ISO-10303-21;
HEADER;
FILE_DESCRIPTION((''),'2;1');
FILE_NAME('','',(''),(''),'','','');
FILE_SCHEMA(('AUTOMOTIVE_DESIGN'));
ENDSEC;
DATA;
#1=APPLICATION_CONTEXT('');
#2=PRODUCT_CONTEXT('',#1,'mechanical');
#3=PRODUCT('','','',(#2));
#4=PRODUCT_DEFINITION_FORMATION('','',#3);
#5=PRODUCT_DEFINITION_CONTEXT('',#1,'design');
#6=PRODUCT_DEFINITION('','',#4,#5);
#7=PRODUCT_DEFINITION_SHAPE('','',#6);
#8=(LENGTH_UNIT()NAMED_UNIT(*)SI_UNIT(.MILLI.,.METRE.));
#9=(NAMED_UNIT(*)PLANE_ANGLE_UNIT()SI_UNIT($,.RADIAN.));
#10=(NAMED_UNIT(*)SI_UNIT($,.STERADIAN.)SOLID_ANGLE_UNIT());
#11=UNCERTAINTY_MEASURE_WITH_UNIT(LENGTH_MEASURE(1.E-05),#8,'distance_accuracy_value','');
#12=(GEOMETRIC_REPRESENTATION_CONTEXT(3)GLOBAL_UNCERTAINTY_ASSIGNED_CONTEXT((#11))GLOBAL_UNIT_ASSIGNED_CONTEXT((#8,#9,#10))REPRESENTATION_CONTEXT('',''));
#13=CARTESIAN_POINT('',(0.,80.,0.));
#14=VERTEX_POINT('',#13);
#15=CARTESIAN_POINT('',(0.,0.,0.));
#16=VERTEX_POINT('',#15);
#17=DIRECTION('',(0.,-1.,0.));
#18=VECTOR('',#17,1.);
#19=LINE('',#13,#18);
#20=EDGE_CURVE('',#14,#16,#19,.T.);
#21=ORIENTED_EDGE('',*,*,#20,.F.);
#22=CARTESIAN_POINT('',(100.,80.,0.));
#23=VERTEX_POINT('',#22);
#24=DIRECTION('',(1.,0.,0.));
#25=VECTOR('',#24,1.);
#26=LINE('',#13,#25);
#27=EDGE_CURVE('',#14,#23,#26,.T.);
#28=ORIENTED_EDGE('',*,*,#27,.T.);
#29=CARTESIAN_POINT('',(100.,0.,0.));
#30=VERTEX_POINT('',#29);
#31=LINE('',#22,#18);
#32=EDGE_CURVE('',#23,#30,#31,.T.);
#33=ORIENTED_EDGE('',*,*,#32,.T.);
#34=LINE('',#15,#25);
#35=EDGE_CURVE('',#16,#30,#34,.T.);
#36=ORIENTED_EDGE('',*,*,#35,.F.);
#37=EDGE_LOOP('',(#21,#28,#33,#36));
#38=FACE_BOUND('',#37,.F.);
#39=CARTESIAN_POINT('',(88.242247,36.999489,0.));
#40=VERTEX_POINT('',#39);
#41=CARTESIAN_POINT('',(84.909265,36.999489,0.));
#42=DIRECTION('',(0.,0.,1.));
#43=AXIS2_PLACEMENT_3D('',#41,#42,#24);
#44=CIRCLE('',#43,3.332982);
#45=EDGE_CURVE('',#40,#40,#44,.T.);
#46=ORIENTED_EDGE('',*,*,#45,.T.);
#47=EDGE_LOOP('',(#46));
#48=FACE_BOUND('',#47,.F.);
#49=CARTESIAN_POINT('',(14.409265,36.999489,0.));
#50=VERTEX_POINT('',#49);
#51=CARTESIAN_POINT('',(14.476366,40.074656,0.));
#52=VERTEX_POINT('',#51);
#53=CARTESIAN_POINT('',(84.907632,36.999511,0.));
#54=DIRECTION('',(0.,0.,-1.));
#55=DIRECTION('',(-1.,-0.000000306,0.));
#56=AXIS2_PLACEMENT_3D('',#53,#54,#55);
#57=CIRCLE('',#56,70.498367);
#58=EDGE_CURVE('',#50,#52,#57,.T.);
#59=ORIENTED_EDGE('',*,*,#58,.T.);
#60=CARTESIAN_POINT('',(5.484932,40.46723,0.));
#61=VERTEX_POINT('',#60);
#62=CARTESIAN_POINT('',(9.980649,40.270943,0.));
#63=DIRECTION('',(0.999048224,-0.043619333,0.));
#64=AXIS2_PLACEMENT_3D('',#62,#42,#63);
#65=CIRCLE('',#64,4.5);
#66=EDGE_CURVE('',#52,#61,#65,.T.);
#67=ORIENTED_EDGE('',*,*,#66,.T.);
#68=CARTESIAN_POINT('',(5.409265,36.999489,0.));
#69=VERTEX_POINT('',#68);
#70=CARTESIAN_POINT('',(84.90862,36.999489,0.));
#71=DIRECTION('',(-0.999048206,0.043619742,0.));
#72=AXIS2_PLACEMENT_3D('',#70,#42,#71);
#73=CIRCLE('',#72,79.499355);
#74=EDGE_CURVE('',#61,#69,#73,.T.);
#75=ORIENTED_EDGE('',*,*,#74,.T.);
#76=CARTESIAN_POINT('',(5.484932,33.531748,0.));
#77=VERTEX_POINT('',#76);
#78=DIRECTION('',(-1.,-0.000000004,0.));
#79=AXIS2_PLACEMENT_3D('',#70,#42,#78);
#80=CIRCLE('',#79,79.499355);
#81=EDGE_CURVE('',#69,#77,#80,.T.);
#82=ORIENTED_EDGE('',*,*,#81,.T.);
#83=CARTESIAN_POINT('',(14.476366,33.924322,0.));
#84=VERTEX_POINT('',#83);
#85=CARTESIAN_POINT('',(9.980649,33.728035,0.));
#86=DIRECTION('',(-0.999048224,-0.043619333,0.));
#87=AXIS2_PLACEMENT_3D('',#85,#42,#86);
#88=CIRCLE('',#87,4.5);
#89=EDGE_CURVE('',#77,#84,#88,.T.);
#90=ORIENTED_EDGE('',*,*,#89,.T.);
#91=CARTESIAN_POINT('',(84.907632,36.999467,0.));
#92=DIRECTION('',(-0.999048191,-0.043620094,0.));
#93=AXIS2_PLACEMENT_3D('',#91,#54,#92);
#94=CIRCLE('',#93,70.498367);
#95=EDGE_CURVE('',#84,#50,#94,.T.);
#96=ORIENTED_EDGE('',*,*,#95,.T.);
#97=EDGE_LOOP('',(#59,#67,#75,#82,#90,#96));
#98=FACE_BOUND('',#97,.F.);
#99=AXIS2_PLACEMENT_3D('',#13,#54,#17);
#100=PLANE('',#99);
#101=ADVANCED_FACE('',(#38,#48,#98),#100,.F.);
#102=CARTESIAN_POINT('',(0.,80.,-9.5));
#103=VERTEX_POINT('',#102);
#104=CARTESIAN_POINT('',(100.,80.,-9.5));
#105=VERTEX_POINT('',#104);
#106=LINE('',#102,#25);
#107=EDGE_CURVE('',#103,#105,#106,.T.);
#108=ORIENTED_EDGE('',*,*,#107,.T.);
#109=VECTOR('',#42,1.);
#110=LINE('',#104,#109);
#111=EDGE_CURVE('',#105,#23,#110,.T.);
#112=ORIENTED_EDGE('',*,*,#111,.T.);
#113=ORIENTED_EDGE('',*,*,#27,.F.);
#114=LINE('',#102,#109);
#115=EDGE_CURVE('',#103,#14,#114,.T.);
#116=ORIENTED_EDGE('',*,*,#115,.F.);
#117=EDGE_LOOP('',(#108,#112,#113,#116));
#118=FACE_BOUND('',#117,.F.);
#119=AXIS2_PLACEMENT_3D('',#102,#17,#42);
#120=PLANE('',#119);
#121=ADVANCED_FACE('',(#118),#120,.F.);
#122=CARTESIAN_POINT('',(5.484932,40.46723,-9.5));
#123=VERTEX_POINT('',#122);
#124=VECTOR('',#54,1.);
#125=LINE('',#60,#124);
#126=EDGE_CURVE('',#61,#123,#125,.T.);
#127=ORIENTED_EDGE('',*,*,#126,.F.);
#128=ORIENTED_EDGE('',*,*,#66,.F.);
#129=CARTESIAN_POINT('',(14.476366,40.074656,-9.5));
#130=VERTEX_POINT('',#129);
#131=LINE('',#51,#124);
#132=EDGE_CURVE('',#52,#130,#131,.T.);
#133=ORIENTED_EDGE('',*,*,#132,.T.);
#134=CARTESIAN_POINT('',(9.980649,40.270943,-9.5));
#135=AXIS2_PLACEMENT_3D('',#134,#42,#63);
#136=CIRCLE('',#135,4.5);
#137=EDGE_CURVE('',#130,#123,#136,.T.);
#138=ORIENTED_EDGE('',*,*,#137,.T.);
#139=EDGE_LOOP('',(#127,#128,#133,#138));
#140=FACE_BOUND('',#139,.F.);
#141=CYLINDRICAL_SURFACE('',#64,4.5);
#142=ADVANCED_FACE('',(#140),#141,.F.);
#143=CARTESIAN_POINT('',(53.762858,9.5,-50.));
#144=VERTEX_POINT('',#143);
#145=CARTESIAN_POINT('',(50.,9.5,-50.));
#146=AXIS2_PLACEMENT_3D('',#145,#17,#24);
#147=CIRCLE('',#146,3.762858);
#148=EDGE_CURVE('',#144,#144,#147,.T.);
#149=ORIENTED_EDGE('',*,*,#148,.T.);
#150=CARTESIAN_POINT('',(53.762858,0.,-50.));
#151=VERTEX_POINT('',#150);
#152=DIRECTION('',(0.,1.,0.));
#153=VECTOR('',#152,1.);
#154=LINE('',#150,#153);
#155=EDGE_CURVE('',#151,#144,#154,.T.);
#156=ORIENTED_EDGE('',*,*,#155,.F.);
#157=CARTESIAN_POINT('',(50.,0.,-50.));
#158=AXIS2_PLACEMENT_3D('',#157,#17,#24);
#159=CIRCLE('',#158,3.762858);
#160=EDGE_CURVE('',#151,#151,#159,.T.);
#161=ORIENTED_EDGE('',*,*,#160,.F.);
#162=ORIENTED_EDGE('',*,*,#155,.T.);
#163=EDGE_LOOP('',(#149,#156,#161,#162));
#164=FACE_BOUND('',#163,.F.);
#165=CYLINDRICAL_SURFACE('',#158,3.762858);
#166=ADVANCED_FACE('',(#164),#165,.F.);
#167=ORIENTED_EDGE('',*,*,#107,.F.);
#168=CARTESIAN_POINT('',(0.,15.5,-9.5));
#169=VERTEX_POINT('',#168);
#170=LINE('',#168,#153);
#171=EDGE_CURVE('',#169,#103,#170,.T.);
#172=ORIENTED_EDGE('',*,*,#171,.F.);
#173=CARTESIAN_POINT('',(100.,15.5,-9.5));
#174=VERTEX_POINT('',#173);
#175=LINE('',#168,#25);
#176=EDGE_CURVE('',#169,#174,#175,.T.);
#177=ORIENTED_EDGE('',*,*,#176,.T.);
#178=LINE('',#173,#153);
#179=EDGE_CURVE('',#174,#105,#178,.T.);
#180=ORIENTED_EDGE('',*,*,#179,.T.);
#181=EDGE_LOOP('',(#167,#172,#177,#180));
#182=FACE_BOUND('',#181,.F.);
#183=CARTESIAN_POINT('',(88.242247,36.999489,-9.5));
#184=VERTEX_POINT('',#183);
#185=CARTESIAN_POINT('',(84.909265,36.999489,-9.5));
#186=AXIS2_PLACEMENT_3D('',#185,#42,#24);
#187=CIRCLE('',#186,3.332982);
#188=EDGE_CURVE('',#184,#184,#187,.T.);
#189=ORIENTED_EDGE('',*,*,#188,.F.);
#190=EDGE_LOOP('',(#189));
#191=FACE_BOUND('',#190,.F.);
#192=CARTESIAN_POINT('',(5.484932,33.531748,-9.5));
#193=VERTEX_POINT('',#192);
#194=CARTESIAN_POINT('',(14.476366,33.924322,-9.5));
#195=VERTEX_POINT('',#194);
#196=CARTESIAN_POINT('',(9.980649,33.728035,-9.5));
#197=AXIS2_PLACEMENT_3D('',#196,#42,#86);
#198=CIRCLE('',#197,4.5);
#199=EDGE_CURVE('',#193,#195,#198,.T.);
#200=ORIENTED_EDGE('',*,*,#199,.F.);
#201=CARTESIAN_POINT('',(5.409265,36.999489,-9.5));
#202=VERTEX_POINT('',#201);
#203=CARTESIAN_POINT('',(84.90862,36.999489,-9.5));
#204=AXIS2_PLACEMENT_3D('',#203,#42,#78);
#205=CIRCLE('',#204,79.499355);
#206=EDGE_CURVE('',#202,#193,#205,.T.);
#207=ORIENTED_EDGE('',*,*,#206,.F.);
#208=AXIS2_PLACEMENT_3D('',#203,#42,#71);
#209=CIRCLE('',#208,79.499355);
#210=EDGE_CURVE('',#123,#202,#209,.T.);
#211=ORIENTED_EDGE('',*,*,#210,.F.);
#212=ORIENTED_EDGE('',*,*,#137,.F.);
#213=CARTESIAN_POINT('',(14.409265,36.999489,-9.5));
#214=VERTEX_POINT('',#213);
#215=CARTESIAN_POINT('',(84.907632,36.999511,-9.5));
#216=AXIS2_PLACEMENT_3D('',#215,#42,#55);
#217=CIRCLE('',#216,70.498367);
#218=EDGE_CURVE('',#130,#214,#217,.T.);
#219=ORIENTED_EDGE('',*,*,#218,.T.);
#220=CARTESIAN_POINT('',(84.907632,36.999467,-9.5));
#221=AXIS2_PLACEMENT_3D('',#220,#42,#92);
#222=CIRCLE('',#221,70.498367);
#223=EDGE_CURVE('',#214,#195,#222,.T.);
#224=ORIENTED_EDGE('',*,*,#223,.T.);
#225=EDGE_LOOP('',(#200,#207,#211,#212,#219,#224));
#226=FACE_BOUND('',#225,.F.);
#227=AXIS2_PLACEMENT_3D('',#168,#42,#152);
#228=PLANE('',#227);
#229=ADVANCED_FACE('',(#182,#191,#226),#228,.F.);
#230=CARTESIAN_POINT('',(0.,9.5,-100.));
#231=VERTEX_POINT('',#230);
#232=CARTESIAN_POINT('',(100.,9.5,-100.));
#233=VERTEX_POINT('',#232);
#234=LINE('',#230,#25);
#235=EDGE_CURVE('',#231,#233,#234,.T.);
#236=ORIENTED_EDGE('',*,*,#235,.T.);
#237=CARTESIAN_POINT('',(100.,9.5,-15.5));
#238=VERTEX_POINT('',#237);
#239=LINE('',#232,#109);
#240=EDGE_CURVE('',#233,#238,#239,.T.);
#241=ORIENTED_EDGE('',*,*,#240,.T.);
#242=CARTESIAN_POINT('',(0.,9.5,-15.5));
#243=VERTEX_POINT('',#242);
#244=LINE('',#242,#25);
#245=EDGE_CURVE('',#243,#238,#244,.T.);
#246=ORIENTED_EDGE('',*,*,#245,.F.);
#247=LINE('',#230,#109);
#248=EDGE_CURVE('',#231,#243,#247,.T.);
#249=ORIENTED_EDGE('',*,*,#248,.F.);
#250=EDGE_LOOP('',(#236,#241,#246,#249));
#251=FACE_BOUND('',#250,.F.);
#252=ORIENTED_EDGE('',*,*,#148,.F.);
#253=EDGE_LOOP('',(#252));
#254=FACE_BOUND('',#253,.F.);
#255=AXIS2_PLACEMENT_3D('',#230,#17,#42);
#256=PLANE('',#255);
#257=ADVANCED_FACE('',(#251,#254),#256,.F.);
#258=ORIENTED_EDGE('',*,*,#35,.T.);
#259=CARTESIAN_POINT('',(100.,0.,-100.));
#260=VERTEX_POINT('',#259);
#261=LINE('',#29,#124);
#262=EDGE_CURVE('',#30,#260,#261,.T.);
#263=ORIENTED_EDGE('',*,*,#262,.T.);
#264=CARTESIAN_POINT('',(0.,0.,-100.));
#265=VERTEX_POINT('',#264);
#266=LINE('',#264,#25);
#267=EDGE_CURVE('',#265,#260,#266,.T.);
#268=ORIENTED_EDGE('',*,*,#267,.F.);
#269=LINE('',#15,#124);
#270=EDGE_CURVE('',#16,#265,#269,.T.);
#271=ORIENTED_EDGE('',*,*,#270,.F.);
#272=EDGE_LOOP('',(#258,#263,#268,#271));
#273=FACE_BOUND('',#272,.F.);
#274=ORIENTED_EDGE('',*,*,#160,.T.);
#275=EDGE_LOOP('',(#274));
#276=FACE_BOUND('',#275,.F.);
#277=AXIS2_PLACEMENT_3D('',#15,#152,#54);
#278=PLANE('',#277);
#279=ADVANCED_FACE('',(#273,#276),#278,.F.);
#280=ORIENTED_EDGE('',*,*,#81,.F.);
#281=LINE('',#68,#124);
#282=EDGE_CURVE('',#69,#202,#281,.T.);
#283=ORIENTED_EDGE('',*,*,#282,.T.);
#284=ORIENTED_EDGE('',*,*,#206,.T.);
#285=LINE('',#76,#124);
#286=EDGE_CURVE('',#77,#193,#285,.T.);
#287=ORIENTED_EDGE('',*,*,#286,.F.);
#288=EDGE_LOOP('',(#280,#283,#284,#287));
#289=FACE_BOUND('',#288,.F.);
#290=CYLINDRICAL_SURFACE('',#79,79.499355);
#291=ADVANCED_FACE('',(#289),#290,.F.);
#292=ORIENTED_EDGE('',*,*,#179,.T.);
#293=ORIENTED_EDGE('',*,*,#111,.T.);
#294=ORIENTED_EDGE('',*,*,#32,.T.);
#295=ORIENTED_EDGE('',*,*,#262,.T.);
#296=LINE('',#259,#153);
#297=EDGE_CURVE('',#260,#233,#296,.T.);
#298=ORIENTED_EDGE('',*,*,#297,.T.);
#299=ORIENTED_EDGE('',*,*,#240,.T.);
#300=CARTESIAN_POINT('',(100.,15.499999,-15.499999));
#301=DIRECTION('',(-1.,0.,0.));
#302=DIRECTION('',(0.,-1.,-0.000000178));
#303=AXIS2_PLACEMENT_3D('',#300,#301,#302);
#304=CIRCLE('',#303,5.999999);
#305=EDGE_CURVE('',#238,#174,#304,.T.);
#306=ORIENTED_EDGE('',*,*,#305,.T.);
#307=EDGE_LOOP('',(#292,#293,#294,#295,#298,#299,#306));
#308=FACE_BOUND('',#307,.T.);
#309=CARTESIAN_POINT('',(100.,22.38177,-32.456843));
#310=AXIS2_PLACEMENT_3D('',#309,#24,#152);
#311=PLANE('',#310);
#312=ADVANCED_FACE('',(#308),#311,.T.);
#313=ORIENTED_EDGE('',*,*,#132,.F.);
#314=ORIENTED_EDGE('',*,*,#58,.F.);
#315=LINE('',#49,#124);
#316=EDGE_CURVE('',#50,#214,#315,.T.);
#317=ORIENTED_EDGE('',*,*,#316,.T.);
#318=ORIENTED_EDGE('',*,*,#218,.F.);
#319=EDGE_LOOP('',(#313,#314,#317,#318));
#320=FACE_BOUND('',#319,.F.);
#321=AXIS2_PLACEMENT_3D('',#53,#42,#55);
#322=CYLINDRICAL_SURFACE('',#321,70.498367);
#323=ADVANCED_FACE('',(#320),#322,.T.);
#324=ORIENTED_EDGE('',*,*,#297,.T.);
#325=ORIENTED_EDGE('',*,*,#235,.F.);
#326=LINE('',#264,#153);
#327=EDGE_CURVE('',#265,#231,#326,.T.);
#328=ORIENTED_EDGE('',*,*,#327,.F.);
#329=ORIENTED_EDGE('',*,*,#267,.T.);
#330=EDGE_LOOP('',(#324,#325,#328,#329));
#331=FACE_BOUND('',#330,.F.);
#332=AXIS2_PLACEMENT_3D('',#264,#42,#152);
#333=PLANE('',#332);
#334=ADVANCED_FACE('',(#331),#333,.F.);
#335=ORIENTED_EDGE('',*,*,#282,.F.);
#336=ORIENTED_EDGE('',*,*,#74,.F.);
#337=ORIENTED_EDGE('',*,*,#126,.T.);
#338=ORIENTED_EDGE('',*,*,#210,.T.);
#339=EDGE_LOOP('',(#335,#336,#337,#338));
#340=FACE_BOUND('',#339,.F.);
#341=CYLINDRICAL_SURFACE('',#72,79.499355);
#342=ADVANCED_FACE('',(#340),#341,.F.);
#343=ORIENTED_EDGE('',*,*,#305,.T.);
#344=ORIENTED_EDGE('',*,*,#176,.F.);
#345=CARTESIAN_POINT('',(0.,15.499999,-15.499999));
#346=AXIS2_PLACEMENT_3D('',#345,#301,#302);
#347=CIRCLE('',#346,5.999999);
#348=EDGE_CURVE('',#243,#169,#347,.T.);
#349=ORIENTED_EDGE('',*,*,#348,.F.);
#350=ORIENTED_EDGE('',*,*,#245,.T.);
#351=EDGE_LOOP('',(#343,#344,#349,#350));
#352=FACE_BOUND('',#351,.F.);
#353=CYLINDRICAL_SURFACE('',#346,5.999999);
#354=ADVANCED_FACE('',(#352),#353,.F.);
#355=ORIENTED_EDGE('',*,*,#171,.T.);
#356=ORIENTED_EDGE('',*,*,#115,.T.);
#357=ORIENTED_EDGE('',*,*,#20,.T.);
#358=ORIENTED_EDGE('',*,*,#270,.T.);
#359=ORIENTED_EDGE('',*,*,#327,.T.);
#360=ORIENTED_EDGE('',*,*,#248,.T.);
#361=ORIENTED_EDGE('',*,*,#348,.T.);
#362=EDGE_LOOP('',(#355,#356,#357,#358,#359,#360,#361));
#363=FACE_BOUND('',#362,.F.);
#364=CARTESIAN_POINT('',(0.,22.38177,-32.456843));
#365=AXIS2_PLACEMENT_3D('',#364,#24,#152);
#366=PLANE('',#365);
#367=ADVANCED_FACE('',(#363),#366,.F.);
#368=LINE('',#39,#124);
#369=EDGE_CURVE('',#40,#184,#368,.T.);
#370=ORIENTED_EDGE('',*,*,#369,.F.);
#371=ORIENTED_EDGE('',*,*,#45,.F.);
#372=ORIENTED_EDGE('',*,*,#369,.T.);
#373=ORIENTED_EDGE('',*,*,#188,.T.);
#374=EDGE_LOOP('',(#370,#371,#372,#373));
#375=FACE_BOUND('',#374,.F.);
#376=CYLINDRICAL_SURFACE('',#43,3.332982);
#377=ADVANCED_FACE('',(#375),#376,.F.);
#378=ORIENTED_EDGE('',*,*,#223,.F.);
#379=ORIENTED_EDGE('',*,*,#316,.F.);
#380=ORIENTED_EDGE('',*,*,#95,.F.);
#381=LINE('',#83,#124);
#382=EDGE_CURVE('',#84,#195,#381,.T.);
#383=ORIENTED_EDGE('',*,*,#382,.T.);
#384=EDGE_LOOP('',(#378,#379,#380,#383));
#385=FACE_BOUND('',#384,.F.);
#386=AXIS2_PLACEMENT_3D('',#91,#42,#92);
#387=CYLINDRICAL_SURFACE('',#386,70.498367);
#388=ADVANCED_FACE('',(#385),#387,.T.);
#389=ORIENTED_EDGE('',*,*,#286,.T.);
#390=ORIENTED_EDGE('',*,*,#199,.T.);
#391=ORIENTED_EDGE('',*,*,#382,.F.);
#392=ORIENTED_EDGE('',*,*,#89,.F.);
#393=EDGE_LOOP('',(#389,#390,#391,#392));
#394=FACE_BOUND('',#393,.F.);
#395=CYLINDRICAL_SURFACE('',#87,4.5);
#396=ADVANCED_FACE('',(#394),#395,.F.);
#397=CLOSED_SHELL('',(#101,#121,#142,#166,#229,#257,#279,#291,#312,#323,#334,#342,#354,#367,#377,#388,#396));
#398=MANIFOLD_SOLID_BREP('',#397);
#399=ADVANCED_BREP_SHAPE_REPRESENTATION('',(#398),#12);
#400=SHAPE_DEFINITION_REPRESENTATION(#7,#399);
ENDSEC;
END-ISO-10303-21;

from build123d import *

# Parameters (mm, degrees)
F1_DEPTH = 100
F2_R     = 3.332982
F3_DEPTH = 25
F4_R     = 3.762858
F5_DEPTH = 25


with BuildPart() as f1:
    # F0 (on Right) → F1 (new body)
    with BuildSketch(Plane.YZ):
        with BuildLine():
            Line((80, 0), (0, 0))
            Line((0, 0), (0, -100))
            Line((0, -100), (9.5, -100))
            Line((9.5, -100), (9.5, -15.5))
            ThreePointArc((9.5, -15.5), (11.257359, -11.257359), (15.5, -9.5))
            Line((15.5, -9.5), (80, -9.5))
            Line((80, -9.5), (80, 0))
        make_face()
    extrude(amount=F1_DEPTH)

    # F2 (on face) → F3 (cut)
    with BuildSketch(Plane.XY):
        with Locations((84.909265, 36.999489)):
            Circle(F2_R)
        with BuildLine():
            ThreePointArc((5.484932, 33.531748), (10.176936, 29.232318), (14.476366, 33.924322))
            ThreePointArc((14.476366, 33.924322), (14.426042, 35.46154), (14.409265, 36.999489))
            ThreePointArc((14.409265, 36.999489), (14.426042, 38.537438), (14.476366, 40.074656))
            ThreePointArc((14.476366, 40.074656), (10.176936, 44.76666), (5.484932, 40.46723))
            ThreePointArc((5.484932, 40.46723), (5.428184, 38.733772), (5.409265, 36.999489))
            ThreePointArc((5.409265, 36.999489), (5.428184, 35.265206), (5.484932, 33.531748))
        make_face()
    extrude(amount=-F3_DEPTH, mode=Mode.SUBTRACT)

    # F4 (on face) → F5 (cut)
    with BuildSketch(Plane.XZ):
        with Locations((50, -50)):
            Circle(F4_R)
    extrude(amount=-F5_DEPTH, mode=Mode.SUBTRACT)


solid = f1.part
